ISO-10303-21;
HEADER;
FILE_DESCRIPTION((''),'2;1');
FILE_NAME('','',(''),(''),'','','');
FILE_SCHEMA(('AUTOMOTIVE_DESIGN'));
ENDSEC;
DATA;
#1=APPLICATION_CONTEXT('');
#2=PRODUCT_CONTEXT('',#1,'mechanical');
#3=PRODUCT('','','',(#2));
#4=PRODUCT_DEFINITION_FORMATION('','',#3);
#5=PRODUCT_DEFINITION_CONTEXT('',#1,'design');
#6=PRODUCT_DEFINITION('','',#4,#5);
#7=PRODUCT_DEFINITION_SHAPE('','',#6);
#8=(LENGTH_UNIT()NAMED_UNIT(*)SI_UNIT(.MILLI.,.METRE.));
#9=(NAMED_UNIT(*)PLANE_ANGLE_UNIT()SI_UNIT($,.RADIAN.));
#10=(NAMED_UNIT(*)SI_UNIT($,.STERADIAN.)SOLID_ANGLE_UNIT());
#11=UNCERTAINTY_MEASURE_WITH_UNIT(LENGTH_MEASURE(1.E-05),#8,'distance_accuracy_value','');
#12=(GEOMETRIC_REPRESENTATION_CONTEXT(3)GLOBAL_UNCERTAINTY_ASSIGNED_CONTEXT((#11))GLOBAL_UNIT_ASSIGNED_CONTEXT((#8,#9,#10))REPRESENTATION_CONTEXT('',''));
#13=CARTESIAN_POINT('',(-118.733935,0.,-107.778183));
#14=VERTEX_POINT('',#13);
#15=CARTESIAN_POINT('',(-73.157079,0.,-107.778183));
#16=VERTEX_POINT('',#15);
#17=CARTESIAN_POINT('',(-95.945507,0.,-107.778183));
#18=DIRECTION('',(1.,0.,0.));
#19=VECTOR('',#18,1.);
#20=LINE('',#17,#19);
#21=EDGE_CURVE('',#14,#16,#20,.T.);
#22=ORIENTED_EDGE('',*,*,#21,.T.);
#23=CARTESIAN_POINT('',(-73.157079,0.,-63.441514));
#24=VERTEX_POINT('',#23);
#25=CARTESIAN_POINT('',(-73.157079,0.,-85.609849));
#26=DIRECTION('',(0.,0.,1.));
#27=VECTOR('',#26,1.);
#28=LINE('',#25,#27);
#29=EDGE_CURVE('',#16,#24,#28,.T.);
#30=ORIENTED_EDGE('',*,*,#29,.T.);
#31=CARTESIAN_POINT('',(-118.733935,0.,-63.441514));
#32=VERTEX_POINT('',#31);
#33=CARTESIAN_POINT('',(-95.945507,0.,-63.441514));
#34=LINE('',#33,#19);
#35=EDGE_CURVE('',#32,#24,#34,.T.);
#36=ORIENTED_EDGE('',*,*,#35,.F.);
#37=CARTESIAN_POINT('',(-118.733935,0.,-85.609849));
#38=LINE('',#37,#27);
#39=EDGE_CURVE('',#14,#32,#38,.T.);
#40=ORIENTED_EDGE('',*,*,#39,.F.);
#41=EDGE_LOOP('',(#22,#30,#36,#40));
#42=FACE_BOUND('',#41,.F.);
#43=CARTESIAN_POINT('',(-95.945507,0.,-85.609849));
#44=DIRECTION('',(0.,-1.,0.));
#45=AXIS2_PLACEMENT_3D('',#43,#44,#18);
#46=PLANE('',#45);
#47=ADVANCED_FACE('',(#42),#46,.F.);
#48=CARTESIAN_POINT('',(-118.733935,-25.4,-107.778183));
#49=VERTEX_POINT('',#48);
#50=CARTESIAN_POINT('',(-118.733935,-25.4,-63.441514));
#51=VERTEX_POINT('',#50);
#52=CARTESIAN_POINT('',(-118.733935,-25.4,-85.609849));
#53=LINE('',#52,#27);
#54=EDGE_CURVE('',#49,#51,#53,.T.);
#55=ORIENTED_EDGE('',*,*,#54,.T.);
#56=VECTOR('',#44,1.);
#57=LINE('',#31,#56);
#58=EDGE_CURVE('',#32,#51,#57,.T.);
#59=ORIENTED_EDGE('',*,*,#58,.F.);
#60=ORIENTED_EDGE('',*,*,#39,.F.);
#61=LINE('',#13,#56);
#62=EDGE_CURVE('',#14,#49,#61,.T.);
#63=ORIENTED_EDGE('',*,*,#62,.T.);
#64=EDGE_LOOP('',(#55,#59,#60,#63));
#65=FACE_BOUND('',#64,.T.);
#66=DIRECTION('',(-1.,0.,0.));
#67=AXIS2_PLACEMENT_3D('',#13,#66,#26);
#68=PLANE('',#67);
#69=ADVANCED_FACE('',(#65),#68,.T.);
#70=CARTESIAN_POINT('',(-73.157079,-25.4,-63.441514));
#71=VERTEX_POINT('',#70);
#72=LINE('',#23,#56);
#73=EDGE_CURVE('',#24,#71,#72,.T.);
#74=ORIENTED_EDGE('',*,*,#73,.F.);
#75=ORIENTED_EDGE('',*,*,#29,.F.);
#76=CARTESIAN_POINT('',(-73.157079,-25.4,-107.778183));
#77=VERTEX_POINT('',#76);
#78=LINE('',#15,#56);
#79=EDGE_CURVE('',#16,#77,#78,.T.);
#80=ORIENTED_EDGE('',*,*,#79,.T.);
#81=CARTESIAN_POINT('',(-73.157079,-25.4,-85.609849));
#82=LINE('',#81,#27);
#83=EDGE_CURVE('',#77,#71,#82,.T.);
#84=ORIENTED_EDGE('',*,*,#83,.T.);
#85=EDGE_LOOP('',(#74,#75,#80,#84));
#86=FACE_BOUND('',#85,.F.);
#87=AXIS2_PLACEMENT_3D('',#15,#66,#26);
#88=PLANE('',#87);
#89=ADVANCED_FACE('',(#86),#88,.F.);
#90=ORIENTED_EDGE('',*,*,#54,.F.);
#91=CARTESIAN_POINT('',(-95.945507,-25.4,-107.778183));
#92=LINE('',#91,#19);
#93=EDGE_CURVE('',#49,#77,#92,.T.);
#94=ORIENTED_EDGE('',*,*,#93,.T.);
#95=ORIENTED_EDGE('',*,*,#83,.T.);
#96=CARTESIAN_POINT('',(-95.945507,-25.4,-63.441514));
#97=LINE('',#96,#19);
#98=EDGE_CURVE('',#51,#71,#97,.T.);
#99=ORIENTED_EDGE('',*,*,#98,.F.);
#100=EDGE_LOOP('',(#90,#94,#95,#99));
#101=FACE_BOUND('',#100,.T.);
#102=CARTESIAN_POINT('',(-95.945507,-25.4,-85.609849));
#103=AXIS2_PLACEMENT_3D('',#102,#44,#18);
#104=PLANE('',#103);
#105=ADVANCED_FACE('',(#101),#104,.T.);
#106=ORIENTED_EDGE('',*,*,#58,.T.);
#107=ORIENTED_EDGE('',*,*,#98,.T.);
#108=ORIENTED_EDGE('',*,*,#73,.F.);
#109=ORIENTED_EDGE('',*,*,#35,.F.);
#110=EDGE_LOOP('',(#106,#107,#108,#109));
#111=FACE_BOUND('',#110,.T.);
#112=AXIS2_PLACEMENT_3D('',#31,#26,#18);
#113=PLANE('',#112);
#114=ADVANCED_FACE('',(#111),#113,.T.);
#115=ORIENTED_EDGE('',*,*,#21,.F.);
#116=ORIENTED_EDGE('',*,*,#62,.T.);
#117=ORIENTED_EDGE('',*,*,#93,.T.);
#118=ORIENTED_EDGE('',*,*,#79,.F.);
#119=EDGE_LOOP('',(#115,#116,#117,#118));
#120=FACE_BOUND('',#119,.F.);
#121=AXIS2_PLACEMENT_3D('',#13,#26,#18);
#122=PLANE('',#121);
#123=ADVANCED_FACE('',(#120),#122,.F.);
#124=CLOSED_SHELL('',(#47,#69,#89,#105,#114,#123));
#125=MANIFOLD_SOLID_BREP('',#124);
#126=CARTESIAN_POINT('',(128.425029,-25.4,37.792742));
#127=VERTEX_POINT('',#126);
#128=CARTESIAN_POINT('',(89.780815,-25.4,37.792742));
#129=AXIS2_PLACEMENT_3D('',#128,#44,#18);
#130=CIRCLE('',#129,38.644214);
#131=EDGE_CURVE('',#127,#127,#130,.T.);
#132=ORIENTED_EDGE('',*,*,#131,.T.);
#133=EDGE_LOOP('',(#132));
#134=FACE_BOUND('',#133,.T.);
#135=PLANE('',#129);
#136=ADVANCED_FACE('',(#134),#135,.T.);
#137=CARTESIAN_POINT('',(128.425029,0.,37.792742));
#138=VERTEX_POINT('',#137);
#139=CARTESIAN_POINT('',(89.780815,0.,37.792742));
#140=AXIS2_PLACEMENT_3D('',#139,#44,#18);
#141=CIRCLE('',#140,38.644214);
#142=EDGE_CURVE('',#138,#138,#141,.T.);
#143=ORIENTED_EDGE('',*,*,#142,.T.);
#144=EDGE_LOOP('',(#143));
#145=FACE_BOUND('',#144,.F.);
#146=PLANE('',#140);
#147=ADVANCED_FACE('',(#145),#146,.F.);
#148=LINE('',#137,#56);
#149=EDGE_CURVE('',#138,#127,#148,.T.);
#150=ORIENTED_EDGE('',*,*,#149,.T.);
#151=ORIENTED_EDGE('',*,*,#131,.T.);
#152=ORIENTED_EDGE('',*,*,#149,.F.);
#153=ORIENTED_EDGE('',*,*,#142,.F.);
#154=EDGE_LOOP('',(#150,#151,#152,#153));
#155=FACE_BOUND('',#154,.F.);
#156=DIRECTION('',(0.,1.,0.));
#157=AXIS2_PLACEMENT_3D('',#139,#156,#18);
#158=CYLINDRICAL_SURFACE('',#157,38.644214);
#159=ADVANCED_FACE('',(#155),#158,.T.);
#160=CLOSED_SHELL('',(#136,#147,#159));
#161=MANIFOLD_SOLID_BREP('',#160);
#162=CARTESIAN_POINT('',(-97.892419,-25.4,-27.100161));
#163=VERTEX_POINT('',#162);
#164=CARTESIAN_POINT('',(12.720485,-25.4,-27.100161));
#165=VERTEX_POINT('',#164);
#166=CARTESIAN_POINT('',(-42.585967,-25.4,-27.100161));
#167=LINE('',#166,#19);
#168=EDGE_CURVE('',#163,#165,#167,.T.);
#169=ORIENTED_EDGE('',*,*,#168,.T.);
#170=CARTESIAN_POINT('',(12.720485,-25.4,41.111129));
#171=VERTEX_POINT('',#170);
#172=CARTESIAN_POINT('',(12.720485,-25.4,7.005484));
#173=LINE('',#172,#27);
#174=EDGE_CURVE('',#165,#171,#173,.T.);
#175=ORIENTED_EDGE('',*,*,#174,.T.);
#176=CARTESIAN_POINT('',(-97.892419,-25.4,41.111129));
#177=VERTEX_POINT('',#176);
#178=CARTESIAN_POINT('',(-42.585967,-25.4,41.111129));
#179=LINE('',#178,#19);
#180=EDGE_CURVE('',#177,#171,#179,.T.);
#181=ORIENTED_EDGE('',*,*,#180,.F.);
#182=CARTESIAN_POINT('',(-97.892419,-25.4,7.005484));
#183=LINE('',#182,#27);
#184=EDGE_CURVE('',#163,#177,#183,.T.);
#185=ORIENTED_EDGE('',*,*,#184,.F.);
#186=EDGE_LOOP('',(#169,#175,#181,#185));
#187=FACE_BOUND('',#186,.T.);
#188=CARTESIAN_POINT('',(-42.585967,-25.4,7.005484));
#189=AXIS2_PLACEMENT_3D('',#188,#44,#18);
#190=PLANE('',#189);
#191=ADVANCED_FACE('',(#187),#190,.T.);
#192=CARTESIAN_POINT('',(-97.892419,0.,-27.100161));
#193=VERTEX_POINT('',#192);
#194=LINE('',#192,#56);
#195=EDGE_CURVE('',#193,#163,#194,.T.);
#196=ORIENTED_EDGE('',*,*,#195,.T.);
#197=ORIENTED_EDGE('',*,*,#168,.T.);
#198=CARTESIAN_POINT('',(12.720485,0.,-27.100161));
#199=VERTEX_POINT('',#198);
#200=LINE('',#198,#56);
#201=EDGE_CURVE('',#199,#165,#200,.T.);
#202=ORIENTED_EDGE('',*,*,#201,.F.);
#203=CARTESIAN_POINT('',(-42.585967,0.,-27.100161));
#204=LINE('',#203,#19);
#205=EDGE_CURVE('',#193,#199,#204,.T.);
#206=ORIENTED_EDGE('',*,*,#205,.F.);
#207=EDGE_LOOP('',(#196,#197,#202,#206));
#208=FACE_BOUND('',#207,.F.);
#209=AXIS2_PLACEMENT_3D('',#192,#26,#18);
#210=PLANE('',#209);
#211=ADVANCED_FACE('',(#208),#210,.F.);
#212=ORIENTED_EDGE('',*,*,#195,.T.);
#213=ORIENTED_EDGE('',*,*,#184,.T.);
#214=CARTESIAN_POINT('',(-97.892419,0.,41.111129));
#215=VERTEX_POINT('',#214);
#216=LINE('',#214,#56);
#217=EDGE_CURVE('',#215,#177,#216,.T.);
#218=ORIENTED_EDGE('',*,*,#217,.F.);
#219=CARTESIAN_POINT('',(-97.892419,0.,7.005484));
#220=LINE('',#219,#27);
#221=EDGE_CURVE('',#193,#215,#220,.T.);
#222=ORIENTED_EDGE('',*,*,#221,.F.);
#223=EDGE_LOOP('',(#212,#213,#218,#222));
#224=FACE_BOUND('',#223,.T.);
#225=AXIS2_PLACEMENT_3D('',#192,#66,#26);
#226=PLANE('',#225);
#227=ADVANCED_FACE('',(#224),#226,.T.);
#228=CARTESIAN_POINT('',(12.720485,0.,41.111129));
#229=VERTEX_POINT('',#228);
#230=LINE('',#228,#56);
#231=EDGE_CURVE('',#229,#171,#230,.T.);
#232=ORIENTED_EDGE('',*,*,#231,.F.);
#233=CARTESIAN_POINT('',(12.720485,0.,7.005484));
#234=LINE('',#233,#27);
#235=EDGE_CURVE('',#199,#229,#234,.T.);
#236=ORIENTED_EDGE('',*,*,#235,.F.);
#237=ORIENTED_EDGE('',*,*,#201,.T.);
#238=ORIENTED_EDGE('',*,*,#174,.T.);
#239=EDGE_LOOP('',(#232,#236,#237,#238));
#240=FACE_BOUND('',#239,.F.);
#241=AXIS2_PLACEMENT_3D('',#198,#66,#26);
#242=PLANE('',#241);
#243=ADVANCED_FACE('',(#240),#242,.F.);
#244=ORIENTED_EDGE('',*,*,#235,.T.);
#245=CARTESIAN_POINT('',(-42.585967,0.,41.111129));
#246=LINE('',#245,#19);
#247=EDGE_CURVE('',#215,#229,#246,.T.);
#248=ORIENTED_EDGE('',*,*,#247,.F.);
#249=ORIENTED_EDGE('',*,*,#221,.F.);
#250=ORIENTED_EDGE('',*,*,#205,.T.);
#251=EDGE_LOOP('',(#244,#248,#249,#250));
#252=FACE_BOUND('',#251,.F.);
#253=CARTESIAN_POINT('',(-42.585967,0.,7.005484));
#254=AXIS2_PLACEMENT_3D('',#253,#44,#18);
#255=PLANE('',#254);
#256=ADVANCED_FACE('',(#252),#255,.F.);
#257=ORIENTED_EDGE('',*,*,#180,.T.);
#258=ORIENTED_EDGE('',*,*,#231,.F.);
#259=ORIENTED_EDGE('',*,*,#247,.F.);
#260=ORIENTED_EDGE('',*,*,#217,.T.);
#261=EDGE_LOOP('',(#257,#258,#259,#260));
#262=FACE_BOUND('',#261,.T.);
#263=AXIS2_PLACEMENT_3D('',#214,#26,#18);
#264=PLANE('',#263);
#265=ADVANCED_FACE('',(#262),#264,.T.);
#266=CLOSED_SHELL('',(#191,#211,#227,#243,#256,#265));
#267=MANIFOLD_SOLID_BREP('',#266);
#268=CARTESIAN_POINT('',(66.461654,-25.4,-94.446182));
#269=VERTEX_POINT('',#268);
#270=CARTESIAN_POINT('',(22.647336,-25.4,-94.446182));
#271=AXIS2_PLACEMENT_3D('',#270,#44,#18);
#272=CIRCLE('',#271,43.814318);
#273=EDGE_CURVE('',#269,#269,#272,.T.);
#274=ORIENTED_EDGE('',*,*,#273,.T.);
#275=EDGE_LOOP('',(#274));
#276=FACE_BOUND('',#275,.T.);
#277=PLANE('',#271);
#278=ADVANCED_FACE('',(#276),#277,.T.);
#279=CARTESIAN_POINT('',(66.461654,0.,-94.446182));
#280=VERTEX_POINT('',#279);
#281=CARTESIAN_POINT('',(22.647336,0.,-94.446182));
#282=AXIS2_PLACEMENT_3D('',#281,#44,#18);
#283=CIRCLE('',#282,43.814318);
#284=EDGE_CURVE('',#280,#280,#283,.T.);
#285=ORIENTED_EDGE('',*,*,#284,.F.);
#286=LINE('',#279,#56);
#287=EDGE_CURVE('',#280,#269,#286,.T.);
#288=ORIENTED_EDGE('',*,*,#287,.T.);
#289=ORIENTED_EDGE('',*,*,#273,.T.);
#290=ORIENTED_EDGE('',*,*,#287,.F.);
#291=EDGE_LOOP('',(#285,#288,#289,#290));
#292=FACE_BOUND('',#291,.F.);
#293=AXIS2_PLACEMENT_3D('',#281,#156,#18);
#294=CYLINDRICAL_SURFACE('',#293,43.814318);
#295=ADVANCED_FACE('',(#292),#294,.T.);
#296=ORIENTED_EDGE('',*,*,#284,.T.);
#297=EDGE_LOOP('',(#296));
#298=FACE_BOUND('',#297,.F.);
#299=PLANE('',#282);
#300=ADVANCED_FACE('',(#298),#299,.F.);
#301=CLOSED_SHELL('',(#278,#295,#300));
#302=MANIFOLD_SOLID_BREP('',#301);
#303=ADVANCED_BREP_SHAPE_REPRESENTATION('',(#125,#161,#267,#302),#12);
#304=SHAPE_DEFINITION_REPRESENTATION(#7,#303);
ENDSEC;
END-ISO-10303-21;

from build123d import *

# Parameters (mm, degrees)
F0_W     = 110.612904
F0_H     = 68.211291
F0_R     = 38.644214
F0_W_2   = 45.576855
F0_H_2   = 44.336669
F0_R_2   = 43.814318
F1_DEPTH = 25.4


with BuildPart() as f1:
    # F0 (on Front) → F1 (new body)
    with BuildSketch(Plane.XZ):
        with Locations((-42.585967, 7.005484)):
            Rectangle(F0_W, F0_H)
        with Locations((89.780815, 37.792742)):
            Circle(F0_R)
        with Locations((-95.945507, -85.609849)):
            Rectangle(F0_W_2, F0_H_2)
        with Locations((22.647336, -94.446182)):
            Circle(F0_R_2)
    extrude(amount=F1_DEPTH)


solid = f1.part
